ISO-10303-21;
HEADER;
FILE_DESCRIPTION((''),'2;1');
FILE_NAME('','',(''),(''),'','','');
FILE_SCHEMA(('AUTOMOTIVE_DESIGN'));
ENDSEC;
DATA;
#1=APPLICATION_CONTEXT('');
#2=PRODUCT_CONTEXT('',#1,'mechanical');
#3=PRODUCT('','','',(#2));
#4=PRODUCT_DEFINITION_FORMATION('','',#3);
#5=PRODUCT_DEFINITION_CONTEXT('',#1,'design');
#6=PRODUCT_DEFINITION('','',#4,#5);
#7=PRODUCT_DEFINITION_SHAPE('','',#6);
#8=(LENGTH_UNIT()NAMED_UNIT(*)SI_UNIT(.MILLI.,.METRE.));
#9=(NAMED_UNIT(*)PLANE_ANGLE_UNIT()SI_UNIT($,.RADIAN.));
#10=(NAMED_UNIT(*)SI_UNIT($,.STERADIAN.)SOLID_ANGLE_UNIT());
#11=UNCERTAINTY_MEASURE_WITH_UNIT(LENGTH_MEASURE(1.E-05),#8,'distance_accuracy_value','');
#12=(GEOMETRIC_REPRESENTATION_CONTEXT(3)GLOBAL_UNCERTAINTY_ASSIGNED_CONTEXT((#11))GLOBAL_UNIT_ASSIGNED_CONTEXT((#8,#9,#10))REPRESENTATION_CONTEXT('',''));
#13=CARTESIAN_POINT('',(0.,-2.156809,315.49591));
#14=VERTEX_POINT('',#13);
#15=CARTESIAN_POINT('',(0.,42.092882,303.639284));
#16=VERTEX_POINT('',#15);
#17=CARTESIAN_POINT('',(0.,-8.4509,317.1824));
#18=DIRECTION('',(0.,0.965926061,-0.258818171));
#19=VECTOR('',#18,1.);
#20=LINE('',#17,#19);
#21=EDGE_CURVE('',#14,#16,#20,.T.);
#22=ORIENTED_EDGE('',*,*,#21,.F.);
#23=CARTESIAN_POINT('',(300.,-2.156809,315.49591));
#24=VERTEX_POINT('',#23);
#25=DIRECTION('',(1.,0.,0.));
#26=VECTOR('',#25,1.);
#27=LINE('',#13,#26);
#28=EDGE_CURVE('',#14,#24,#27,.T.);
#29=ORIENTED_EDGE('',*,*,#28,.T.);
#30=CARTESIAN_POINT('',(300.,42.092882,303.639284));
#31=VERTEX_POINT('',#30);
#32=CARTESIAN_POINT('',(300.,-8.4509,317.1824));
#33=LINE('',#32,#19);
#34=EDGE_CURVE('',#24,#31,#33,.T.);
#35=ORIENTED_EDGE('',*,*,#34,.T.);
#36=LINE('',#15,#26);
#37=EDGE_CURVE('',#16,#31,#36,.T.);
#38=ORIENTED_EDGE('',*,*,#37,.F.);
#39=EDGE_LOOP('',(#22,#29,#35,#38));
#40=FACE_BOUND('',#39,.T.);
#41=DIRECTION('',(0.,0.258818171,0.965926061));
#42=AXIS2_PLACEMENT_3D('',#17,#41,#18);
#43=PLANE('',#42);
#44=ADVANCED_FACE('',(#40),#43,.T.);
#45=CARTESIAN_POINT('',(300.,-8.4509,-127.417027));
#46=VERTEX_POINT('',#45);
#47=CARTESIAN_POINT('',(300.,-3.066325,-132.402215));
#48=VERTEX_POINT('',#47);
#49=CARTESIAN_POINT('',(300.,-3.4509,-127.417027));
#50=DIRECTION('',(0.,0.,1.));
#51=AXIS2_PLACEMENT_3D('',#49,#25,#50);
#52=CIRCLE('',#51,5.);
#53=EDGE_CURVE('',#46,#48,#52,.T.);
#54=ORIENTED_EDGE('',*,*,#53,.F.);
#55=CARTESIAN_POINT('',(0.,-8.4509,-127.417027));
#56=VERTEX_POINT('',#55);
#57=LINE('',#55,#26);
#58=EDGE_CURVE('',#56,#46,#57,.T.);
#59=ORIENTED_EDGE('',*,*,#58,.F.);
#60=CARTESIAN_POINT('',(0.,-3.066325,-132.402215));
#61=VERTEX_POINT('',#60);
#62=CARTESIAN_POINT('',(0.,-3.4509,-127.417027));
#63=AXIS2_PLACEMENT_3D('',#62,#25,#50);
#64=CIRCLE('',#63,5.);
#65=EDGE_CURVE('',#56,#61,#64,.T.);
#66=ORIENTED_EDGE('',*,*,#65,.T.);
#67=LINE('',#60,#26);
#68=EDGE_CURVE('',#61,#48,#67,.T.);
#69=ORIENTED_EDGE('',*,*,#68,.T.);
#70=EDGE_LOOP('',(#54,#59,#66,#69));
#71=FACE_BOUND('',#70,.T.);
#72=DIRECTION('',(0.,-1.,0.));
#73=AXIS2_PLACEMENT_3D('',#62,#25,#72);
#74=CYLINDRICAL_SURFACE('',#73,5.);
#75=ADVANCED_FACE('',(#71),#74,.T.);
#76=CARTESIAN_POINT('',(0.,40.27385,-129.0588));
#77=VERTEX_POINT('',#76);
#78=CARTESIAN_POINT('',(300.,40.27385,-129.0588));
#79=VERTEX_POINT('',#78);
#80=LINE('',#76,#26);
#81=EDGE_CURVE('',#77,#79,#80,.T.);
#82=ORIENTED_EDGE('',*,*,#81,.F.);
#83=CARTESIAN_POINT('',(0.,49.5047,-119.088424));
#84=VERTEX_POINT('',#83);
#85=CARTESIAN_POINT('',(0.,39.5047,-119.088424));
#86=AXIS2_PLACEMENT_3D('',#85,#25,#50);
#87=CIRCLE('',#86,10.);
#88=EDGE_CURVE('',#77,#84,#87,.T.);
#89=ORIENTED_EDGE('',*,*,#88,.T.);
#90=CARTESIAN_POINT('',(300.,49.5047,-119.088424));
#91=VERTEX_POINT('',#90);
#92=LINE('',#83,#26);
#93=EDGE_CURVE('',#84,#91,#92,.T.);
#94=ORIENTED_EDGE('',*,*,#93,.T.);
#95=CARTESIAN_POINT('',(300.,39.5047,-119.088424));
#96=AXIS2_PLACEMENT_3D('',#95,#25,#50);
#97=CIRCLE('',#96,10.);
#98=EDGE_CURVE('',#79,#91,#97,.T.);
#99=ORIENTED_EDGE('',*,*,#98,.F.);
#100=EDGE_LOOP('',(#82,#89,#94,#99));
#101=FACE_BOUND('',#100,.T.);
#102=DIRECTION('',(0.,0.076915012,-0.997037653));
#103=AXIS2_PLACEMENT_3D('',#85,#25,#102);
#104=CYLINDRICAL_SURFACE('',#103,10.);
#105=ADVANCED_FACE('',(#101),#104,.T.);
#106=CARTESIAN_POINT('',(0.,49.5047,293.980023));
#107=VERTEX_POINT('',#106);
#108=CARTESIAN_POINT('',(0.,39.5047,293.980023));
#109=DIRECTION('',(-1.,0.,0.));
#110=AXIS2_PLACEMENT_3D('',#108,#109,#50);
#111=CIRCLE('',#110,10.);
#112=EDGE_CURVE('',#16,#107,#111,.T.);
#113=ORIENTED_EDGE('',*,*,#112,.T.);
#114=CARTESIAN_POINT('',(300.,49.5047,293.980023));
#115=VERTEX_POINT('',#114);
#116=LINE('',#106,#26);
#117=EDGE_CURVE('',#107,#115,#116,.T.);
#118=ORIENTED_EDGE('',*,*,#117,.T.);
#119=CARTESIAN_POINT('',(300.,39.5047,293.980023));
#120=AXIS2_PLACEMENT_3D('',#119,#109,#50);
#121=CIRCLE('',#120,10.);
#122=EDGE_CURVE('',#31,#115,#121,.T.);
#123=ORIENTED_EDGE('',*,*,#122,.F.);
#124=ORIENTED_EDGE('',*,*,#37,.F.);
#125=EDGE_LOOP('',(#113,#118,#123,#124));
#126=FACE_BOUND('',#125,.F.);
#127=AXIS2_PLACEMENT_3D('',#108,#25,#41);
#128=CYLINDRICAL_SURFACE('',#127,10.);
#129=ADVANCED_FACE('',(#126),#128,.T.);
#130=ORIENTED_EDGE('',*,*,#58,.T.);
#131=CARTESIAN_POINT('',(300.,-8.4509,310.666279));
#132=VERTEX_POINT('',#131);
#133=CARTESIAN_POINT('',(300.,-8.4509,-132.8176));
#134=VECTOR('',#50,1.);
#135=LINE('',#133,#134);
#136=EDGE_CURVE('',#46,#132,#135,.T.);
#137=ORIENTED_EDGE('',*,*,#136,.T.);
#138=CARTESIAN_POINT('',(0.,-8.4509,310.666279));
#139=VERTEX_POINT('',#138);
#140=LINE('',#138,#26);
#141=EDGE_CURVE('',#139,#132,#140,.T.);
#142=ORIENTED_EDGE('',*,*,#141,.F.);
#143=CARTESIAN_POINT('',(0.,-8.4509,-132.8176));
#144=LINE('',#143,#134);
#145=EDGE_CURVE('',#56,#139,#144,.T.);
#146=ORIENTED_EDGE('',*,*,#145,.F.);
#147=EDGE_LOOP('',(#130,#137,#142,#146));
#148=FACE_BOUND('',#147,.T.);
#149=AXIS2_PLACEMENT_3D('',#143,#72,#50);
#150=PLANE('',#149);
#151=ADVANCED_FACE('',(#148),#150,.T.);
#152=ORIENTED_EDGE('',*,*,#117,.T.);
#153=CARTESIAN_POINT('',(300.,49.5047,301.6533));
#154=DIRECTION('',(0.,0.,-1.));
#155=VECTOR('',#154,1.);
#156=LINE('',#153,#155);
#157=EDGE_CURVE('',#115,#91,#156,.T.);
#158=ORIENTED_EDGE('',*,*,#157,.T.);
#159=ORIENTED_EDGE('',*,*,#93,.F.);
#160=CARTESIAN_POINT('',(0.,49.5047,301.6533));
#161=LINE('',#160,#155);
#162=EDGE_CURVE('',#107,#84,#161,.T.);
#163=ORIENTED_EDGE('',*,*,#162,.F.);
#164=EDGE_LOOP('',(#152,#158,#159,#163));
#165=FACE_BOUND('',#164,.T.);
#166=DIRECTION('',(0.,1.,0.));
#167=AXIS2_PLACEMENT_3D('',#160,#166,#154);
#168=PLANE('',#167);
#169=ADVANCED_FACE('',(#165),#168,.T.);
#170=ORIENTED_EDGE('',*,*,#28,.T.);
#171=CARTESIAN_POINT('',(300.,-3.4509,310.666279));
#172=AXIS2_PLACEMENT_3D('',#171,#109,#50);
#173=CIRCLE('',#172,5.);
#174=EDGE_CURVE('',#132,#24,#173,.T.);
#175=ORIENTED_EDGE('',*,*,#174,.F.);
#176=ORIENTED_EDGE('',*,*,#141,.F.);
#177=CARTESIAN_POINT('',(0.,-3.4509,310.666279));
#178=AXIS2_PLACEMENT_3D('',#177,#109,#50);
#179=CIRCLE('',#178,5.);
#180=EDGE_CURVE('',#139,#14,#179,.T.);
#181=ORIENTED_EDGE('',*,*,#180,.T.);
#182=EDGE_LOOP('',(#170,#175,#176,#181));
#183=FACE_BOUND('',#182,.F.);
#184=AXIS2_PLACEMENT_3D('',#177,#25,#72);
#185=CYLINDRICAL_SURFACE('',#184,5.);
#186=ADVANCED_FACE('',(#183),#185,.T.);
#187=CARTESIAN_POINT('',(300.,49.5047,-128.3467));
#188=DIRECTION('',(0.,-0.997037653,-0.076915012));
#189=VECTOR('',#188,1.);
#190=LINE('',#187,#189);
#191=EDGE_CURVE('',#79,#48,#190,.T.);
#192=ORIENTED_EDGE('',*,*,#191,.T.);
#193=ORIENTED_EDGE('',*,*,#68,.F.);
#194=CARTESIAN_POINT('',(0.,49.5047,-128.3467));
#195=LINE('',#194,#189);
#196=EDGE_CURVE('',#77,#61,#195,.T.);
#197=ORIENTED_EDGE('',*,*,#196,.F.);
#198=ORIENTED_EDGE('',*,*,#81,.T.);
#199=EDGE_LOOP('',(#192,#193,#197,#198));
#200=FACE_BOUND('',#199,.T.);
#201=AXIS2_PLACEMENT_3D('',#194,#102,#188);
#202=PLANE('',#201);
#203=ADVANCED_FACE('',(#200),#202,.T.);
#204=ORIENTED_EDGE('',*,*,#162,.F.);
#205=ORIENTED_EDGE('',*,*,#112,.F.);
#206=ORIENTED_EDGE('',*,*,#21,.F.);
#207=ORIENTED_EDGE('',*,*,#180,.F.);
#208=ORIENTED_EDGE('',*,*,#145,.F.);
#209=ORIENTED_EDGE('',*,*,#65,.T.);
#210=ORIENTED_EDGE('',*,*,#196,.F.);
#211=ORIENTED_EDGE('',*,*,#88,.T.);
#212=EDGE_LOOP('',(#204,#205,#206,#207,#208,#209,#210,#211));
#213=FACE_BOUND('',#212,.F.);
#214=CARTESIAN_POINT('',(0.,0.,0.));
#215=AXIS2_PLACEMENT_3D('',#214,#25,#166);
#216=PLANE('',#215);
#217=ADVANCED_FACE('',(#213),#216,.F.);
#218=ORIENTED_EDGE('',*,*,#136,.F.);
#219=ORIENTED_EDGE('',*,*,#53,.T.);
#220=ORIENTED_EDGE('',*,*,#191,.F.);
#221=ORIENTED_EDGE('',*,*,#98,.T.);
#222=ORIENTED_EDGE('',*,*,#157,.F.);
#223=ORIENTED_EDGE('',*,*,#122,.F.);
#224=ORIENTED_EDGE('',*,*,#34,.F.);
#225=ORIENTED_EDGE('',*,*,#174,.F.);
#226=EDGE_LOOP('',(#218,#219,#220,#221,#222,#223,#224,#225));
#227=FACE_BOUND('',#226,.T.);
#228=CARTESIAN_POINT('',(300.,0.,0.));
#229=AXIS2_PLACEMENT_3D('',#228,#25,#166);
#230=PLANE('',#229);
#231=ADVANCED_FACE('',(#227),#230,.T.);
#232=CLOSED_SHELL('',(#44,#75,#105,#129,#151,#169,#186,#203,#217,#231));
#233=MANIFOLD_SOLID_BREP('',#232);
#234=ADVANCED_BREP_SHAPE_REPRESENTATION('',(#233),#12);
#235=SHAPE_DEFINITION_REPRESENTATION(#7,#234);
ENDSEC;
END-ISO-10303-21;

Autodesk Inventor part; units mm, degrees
ref_plane "YZ Plane" through (0, 0, 0) normal (1, 0, 0) x (0, 1, 0)
ref_plane "XZ Plane" through (0, 0, 0) normal (0, 1, 0) x (-1, 0, 0)
ref_plane "XY Plane" through (0, 0, 0) normal (0, 0, 1) x (1, 0, 0)
sketch "Sketch1" plane through (0, 0, 0) normal (1, 0, 0) x (0, 1, 0)
  line L0 (-8.4509, -132.8176) -> (-8.4509, 317.1824)
  line L1 (-8.4509, 317.1824) -> (49.5047, 301.6533)
  line L2 (-8.4509, 317.1824) -> (51.5491, 317.1824) construction
  line L3 (49.5047, 301.6533) -> (49.5047, -128.3467)
  line L4 (49.5047, -128.3467) -> (-8.4509, -132.8176)
  point P0 (0, 0)
  dimension "d0" = 450
  dimension "d1" = 60
  dimension "d2" = 15
  dimension "d3" = 430
extrude "Extrusion1" add sketch "Sketch1" along normal blind 300
fillet "Fillet1" radius 5 2 edges at (150, -8.4509, 317.1824) (150, -8.4509, -132.8176)
fillet "Fillet2" radius 10 2 edges at (150, 49.5047, 301.6533) (150, 49.5047, -128.3467)
properties part number "Chassisew" material "Iron, Gray"
